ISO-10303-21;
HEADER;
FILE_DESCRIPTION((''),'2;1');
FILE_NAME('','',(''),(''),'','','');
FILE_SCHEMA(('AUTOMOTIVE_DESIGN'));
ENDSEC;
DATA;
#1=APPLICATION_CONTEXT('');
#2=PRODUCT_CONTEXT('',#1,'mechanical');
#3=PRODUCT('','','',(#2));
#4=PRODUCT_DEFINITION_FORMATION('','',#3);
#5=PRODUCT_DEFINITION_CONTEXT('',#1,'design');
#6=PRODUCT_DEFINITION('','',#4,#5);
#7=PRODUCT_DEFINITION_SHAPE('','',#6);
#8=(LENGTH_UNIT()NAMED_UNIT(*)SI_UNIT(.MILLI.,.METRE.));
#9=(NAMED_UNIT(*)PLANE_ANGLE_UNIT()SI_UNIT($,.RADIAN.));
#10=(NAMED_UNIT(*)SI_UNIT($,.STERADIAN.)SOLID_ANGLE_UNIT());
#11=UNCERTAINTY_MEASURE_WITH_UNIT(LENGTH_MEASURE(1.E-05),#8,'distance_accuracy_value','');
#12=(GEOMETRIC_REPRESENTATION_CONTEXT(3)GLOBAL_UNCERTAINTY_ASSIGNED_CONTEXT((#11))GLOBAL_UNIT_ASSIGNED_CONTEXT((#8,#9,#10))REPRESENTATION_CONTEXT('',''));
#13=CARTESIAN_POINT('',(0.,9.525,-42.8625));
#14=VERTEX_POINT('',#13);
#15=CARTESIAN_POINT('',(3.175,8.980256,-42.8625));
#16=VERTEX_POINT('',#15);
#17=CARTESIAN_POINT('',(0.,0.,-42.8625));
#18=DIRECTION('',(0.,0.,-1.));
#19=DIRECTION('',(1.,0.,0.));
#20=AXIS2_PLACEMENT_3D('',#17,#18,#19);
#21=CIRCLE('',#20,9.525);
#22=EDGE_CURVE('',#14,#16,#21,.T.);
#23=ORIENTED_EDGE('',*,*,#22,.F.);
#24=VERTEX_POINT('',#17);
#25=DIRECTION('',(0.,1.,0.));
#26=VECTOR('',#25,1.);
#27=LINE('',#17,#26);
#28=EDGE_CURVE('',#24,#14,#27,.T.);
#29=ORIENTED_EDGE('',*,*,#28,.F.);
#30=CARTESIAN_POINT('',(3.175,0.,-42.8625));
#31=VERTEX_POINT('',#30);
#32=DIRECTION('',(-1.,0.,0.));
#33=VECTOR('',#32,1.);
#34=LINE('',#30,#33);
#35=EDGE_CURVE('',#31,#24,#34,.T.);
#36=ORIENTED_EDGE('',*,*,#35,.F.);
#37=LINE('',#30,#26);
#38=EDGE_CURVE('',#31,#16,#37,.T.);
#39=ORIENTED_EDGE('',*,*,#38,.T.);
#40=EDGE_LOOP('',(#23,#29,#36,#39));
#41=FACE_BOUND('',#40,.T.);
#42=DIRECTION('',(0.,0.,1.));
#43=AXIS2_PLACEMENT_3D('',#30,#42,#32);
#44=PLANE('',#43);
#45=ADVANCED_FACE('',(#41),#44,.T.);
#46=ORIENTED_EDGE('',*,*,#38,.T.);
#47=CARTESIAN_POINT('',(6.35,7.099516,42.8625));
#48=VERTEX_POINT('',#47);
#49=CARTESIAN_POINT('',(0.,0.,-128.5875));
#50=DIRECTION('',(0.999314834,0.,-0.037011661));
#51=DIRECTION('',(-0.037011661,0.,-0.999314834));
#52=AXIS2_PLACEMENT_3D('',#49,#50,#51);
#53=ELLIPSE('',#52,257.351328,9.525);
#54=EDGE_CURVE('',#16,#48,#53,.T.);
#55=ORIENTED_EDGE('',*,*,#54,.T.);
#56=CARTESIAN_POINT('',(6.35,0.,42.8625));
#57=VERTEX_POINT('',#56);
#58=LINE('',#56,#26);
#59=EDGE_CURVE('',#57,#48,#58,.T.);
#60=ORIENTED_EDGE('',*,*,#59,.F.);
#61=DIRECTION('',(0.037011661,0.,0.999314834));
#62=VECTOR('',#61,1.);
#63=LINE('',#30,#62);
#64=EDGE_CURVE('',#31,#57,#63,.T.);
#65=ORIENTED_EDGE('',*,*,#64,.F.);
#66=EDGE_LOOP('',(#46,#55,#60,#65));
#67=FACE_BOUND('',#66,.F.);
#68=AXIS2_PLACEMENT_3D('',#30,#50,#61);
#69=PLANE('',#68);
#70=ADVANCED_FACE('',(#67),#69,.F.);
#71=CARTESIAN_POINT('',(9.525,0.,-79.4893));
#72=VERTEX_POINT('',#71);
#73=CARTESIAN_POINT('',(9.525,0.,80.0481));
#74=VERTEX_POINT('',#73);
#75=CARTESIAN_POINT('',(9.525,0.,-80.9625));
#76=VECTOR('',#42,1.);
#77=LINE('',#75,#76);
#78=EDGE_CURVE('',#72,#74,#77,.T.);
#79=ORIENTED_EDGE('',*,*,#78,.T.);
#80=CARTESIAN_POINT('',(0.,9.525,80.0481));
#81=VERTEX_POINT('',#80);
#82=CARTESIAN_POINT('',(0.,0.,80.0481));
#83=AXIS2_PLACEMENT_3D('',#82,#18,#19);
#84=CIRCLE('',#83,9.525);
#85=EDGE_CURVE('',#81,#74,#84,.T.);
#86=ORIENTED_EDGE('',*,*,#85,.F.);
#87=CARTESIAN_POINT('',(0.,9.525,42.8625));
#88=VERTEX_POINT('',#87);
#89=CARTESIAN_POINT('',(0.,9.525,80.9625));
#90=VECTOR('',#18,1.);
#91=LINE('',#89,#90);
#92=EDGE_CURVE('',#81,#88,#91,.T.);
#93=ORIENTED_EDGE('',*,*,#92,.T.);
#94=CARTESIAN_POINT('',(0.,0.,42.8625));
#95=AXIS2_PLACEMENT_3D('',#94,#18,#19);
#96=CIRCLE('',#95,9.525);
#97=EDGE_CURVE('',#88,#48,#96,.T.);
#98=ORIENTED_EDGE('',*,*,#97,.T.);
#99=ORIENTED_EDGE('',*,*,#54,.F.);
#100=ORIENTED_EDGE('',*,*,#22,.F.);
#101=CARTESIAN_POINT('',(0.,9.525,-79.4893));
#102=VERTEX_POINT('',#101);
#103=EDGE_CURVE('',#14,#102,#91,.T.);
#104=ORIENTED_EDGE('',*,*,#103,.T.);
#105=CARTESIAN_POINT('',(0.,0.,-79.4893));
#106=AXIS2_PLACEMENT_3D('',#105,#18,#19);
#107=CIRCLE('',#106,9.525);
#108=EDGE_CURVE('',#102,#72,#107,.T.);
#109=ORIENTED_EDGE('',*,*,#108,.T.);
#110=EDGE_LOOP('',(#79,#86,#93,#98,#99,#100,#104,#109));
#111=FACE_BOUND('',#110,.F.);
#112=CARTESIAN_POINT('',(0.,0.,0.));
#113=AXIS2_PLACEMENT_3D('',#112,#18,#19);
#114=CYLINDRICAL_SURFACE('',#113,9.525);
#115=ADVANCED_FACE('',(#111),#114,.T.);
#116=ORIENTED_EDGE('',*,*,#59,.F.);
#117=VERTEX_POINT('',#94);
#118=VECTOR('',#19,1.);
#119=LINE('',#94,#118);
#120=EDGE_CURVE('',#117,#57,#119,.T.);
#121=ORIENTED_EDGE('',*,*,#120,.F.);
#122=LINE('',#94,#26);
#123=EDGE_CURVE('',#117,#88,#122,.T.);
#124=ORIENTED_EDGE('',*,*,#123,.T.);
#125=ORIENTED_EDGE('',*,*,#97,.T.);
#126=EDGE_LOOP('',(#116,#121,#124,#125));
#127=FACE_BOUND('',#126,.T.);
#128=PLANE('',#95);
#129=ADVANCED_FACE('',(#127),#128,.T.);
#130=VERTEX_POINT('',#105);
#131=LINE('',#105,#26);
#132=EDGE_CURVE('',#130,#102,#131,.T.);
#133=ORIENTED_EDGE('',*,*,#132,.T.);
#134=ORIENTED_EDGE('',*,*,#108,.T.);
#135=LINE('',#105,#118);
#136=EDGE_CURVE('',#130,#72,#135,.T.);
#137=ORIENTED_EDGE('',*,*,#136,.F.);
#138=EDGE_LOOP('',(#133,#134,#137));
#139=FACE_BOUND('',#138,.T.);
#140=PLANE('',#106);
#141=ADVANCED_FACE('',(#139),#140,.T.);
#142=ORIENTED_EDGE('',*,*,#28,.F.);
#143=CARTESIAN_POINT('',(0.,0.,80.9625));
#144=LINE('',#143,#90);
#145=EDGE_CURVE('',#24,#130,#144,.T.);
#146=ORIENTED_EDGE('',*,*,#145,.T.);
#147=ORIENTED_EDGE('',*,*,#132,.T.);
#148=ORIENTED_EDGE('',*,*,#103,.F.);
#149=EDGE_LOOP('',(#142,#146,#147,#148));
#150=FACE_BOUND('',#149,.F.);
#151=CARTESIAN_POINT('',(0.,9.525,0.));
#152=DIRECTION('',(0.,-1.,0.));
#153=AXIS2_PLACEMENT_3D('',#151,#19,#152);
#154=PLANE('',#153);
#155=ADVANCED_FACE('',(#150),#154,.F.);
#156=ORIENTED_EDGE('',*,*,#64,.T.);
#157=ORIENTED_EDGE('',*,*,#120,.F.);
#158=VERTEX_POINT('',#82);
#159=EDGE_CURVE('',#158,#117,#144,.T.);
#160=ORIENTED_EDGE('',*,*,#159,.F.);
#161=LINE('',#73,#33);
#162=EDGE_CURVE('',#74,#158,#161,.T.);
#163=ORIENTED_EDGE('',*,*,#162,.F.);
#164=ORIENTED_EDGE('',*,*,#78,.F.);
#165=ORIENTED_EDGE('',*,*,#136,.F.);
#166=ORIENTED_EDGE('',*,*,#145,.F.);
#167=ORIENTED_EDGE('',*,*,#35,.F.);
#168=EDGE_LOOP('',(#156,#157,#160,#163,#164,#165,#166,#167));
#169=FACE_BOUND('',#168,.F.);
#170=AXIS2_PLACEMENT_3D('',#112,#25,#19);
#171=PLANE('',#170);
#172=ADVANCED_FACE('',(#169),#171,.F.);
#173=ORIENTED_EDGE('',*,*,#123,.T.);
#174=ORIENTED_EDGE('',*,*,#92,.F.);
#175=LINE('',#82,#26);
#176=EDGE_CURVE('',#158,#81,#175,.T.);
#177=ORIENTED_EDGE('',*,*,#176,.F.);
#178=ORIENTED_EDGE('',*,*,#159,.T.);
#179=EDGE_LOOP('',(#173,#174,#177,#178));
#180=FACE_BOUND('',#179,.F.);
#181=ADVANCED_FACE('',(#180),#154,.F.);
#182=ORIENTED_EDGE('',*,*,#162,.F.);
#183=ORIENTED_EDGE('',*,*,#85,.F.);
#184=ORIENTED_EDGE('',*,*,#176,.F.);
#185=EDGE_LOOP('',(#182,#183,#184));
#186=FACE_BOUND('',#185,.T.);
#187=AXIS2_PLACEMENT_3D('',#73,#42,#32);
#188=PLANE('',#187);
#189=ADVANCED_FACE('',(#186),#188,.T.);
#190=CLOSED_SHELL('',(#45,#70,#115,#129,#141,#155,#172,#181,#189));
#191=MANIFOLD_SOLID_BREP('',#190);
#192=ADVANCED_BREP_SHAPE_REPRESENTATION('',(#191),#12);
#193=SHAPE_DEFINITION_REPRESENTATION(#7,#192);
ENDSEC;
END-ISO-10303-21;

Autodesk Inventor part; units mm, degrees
ref_plane "YZ Plane" through (0, 0, 0) normal (1, 0, 0) x (0, 1, 0)
ref_plane "XZ Plane" through (0, 0, 0) normal (0, 1, 0) x (-1, 0, 0)
ref_plane "XY Plane" through (0, 0, 0) normal (0, 0, 1) x (1, 0, 0)
sketch "Sketch1" plane through (0, 0, 0) normal (0, 0, 1) x (1, 0, 0)
  arc A0 (9.525, 0) -> (0, 9.525) centre (0, 0) ccw
  line L0 (0, 9.525) -> (0, 0)
  line L1 (0, 0) -> (9.525, 0)
  dimension "d0" = 19.05
extrude "Extrusion1" add sketch "Sketch1" along normal mid plane 161.925
sketch "Sketch2" plane through (0, 0, 80.9625) normal (0, -1, 0) x (1, 0, 0)
  line L0 (0, -38.1) -> (6.35, -38.1)
  line L1 (3.175, -123.825) -> (0, -123.825)
  line L2 (0, -123.825) -> (0, -38.1)
  line L3 (9.525, -161.925) -> (0, -161.925) projected
  line L4 (0, -161.925) -> (0, 0) projected
  line L5 (3.175, -123.825) -> (6.35, -38.1)
  point P0 (0, -80.9625)
  dimension "d4" = 38.1
  dimension "d8" = 3.175
  dimension "d9" = 6.35
extrude "Extrusion2" cut sketch "Sketch2" against normal through all
sketch "Sketch3" plane through (0, 0, -80.9625) normal (0, -1, 0) x (1, 0, 0)
  line L0 (9.525, 0) -> (0, 0) projected
  line L1 (0, 0) -> (0, 38.1) projected
  line L2 (9.525, 0) -> (0, 0)
  line L3 (0, 0) -> (0, 1.4732)
  line L4 (0, 1.4732) -> (9.525, 1.4732)
  line L5 (9.525, 1.4732) -> (9.525, 0)
  line L6 (0, 161.925) -> (9.525, 161.925) projected
  line L7 (9.525, 161.925) -> (9.525, 0) projected
  line L8 (0, 161.925) -> (9.525, 161.925)
  line L9 (9.525, 161.925) -> (9.525, 161.0106)
  line L10 (9.525, 161.0106) -> (0, 161.0106)
  line L11 (0, 161.0106) -> (0, 161.925)
  point P0 (0, 80.9625)
  dimension "d10" = 1.4732
  dimension "d11" = 0.9144
extrude "Extrusion3" cut sketch "Sketch3" against normal through all
equation "\"d0\" = cornerRoundType"
equation "\"d1\" = lengthOfPart"
equation "\"d4\" = bottomLength"
equation "\"d8\" = notchDepthLeftSide"
equation "\"d9\" = notchDepthRightSide"
equation "\"d10\" = leftSideLengthRemove"
equation "\"d11\" = rightSideLengthRemove"
equation "\"cornerRoundType\" = 19.05"
equation "\"notchCutout\" = 85.725"
equation "\"bottomLength\" = 38.1"
equation "\"lengthOfPart\" = 2 * bottomLength + notchCutout"
equation "\"notchDepth\" = 6.35"
equation "\"notchDepthLeftSide\" = 3.175"
equation "\"notchDepthRightSide\" = 6.35"
equation "\"leftSideLengthRemove\" = 1.4732"
equation "\"rightSideLengthRemove\" = 0.9144"
properties part number "customMoulding"
